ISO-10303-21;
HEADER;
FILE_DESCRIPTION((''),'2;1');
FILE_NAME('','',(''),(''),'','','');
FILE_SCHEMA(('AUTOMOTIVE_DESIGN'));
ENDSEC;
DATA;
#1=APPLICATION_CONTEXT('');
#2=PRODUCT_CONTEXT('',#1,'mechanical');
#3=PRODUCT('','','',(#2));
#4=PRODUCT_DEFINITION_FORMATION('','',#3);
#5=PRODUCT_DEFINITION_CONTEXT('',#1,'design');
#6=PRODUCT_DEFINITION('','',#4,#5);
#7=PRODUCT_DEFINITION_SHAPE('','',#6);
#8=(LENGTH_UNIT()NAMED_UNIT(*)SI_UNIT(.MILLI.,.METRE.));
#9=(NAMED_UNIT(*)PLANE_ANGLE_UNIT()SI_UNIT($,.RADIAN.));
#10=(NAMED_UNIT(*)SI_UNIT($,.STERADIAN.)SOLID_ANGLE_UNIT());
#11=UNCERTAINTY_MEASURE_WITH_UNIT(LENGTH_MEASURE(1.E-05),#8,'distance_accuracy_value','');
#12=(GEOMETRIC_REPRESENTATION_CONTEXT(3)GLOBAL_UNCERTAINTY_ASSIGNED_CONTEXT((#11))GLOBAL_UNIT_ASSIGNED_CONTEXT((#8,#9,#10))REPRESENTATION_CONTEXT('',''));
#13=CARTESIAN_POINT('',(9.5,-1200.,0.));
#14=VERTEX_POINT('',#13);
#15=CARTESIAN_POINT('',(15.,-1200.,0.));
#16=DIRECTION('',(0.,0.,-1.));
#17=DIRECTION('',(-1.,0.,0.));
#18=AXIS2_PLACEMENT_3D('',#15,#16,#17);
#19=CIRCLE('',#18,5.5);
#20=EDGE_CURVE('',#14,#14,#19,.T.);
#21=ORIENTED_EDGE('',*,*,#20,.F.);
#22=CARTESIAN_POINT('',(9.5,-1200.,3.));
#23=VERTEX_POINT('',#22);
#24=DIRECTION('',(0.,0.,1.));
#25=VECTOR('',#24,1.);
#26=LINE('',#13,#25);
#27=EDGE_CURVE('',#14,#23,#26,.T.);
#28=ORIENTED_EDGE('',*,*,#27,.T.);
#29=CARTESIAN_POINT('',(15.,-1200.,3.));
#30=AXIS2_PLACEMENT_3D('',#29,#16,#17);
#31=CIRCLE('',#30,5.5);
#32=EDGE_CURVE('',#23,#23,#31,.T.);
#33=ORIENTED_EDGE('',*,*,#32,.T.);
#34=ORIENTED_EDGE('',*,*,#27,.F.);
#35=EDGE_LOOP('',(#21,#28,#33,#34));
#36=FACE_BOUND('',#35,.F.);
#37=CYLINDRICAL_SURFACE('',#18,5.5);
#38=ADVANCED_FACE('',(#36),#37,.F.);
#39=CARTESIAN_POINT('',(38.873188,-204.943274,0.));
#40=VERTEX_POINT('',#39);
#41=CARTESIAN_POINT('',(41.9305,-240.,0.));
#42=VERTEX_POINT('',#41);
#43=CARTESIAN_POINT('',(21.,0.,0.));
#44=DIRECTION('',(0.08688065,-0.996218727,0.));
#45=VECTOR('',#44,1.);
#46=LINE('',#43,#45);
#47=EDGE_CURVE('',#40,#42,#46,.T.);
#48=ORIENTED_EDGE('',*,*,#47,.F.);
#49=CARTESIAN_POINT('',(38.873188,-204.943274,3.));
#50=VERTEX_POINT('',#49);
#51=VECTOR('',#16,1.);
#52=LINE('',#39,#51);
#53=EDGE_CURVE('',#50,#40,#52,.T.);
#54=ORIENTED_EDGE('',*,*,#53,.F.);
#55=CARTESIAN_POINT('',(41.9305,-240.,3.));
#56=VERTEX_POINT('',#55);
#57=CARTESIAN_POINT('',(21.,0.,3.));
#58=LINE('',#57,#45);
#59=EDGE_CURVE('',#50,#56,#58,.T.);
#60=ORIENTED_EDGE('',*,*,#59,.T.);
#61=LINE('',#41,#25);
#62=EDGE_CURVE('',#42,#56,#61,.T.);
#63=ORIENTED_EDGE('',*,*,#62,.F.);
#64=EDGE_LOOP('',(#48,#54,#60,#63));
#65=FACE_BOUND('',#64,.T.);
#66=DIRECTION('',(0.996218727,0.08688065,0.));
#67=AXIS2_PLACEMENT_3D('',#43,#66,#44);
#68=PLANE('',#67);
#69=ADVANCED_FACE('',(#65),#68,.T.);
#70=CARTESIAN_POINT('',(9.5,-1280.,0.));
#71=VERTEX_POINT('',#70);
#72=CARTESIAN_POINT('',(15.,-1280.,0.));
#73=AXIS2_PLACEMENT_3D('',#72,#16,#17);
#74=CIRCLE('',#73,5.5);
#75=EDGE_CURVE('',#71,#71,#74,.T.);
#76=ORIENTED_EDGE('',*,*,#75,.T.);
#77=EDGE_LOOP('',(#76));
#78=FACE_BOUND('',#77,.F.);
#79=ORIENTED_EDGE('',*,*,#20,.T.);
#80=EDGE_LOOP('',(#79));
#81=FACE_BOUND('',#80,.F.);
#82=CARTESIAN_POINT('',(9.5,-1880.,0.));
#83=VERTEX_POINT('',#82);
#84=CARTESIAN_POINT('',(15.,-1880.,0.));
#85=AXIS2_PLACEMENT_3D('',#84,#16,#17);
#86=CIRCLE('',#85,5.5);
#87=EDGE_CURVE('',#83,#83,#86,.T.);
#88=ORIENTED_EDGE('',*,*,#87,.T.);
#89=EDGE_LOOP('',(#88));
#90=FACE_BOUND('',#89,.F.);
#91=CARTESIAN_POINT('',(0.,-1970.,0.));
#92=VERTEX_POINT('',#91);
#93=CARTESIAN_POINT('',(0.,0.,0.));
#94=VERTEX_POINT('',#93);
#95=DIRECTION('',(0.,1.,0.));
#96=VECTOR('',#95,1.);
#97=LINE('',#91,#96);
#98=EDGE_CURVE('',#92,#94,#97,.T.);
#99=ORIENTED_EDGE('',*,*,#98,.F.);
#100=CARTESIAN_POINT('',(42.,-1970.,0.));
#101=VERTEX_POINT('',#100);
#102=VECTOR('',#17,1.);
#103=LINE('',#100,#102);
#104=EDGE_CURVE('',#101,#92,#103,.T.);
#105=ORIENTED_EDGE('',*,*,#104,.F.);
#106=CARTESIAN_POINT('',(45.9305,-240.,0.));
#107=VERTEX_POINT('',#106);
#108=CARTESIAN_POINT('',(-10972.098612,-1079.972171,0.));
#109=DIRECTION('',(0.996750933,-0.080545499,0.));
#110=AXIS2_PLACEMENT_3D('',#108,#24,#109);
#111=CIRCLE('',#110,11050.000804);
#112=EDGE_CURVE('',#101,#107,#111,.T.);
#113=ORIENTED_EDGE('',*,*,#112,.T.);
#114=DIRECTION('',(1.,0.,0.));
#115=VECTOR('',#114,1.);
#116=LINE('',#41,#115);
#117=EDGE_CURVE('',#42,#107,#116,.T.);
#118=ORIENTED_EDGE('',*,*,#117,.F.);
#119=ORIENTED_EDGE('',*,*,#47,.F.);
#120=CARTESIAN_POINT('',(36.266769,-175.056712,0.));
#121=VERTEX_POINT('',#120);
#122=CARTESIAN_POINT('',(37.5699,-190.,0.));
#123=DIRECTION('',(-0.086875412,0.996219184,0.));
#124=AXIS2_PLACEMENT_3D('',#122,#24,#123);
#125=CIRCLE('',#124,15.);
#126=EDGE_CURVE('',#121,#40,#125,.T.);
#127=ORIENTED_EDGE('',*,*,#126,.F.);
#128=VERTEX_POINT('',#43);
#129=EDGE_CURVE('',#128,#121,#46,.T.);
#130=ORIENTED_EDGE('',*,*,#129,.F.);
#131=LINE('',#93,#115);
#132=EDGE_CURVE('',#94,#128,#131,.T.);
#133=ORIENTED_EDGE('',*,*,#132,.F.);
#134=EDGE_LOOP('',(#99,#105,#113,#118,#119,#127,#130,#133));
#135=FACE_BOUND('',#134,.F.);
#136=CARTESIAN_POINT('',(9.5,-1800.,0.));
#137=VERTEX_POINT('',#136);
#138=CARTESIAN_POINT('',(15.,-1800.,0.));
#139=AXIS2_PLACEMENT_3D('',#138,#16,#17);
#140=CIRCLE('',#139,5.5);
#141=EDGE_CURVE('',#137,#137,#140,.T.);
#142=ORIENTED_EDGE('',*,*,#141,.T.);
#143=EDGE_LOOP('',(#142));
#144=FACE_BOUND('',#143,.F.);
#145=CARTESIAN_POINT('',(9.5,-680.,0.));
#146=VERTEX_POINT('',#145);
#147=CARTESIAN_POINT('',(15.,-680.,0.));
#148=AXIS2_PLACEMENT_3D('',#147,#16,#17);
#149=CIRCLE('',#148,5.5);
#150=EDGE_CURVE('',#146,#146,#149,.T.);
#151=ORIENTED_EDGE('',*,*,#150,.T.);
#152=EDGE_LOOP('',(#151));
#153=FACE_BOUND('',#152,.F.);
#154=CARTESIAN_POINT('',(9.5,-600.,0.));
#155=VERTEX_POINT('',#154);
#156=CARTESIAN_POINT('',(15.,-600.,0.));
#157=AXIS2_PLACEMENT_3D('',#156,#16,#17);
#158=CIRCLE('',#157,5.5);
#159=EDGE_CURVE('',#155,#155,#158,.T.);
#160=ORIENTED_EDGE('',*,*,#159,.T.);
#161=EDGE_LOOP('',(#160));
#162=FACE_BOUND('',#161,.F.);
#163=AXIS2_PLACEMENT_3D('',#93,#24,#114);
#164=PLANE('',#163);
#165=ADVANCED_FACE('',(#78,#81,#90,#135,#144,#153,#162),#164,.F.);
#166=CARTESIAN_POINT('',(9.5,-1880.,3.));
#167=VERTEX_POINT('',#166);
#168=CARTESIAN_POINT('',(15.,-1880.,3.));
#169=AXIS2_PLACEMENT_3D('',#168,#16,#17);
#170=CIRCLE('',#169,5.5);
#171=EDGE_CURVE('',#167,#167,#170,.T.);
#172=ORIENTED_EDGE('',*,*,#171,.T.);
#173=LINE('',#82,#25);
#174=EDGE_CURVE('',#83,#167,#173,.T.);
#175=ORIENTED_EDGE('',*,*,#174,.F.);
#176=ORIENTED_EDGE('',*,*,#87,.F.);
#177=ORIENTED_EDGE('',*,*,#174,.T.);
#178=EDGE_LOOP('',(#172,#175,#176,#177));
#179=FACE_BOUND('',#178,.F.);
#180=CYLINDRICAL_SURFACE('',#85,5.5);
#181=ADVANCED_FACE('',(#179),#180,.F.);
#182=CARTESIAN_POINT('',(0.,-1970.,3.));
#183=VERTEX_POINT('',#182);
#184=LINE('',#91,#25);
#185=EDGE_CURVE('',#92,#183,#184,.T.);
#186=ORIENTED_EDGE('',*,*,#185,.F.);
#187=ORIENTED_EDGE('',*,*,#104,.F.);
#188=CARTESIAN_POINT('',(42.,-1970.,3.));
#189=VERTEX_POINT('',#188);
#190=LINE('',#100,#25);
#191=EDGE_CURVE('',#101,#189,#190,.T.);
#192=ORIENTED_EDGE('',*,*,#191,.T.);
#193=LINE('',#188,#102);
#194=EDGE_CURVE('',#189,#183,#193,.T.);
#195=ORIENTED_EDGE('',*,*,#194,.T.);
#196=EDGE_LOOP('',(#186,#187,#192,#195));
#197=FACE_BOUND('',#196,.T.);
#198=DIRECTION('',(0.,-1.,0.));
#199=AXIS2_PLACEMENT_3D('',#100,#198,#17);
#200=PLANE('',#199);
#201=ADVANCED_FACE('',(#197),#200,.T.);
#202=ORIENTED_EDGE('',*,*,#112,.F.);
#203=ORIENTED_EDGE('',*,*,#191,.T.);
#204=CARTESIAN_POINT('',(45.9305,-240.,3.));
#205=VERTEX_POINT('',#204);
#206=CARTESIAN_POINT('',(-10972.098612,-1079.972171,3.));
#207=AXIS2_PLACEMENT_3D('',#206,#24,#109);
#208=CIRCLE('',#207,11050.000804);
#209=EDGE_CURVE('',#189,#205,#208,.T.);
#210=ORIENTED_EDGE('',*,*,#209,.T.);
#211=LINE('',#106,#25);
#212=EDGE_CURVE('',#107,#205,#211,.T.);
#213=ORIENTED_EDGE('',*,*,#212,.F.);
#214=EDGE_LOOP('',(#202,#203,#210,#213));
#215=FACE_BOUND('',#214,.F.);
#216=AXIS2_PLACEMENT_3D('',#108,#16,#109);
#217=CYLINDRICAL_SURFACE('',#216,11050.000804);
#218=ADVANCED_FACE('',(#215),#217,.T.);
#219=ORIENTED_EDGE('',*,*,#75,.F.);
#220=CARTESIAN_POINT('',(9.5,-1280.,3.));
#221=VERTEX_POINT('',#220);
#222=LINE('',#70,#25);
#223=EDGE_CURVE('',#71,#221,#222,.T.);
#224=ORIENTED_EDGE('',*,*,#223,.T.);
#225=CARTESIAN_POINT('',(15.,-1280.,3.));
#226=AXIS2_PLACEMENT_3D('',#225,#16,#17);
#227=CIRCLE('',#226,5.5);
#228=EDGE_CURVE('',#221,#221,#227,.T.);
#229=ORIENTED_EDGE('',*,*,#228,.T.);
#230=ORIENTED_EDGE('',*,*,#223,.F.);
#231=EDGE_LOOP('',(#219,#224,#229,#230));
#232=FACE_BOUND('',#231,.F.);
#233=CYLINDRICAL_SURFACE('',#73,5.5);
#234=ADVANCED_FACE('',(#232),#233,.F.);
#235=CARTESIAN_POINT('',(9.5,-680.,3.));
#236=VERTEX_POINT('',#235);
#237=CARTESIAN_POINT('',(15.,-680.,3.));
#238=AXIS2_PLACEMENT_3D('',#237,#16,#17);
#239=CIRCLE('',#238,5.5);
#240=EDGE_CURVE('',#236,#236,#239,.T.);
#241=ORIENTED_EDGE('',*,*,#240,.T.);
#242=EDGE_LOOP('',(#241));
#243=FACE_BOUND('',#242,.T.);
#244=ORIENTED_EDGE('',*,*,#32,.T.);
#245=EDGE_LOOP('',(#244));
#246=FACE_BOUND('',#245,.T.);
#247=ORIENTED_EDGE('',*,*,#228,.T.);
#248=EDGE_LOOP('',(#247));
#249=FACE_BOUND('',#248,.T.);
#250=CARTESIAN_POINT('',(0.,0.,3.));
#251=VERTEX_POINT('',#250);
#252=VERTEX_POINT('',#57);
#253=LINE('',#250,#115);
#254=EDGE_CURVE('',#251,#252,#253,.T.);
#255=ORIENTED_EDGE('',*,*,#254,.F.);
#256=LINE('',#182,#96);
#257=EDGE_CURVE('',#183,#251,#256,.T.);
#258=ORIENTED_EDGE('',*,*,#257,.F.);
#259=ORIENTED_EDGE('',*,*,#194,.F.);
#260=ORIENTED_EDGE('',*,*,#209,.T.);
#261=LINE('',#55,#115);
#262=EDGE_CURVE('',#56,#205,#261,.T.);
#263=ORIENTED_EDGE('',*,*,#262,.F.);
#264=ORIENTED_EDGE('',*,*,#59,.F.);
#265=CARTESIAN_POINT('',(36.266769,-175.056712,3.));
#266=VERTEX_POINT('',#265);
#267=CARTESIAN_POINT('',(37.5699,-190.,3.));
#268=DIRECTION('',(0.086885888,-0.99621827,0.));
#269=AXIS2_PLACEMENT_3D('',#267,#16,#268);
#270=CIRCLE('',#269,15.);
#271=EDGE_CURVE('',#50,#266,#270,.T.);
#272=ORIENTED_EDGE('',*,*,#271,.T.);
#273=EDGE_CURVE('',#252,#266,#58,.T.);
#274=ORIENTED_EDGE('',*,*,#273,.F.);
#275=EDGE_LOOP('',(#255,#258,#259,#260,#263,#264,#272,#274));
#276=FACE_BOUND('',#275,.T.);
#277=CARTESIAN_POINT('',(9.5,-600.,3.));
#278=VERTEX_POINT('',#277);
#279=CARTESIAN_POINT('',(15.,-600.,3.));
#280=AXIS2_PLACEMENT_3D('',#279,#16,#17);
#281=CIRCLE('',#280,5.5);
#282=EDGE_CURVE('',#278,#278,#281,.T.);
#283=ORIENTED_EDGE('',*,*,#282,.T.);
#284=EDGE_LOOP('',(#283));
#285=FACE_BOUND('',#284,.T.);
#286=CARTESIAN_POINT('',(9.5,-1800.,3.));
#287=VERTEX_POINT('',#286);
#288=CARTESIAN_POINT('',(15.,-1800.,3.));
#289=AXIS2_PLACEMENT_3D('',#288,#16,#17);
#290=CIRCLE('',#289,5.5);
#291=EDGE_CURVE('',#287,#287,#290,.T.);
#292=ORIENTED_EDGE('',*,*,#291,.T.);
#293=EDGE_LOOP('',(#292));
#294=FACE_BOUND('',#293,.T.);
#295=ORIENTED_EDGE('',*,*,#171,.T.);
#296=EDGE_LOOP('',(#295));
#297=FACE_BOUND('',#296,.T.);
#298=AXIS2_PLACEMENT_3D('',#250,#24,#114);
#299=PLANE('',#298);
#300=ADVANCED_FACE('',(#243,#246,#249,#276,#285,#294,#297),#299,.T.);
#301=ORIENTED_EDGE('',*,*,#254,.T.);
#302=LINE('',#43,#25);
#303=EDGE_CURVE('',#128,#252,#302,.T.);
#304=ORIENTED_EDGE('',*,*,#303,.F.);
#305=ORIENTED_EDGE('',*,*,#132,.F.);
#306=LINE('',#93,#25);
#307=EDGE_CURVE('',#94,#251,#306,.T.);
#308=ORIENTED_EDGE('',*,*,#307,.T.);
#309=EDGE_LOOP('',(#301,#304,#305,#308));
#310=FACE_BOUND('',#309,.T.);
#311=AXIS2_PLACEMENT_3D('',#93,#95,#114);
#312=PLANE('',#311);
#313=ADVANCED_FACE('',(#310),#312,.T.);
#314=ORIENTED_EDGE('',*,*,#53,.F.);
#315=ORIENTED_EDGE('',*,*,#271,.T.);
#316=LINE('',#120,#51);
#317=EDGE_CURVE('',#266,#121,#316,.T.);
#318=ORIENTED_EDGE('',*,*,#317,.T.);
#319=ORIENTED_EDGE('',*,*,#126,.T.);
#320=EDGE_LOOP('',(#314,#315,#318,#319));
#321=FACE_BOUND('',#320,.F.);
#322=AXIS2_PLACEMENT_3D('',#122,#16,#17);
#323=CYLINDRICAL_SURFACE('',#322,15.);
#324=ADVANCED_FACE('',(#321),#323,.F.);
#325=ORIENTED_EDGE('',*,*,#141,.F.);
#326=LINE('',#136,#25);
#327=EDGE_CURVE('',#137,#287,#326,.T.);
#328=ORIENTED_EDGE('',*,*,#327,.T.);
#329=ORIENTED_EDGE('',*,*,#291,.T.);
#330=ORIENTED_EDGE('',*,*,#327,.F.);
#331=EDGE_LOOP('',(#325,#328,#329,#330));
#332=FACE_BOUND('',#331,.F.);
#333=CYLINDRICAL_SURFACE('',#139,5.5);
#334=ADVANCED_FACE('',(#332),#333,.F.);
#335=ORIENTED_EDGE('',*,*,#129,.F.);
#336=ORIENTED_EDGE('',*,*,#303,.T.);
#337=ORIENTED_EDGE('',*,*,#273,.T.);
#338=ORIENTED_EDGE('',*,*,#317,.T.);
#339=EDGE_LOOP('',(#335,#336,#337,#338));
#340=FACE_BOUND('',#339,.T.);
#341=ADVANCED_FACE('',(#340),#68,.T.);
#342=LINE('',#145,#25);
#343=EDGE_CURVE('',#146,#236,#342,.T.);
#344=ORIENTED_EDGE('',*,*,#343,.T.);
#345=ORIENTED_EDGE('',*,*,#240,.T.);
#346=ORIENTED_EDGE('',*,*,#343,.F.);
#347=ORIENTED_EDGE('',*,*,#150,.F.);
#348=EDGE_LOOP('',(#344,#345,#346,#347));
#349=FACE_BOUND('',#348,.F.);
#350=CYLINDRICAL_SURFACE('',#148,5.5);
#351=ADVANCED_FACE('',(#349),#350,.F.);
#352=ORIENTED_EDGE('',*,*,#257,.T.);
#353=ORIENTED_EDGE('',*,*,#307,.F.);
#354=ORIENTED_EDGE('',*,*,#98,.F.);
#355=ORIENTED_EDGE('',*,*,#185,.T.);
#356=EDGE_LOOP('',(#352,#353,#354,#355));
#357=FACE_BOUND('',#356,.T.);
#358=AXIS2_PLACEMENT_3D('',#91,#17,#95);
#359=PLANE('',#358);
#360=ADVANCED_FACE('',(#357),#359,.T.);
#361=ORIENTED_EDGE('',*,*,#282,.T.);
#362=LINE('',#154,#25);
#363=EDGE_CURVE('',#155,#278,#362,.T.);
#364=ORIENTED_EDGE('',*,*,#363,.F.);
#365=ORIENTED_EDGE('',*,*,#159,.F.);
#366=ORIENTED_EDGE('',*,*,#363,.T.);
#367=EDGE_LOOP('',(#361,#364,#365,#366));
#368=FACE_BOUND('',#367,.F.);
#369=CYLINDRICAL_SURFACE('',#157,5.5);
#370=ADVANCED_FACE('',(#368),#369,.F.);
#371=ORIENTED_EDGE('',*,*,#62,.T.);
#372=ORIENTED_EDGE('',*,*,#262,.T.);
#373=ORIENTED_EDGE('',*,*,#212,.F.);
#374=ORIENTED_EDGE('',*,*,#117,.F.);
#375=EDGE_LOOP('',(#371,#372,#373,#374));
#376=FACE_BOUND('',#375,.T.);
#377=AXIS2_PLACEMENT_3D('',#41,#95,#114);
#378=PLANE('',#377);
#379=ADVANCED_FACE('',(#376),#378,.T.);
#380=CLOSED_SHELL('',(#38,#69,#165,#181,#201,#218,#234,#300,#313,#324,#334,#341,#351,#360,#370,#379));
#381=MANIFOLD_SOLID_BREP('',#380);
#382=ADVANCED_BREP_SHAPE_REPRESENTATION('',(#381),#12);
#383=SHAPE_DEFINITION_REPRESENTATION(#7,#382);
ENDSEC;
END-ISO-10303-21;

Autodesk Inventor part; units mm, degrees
ref_plane "YZ Plane" through (0, 0, 0) normal (1, 0, 0) x (0, 1, 0)
ref_plane "XZ Plane" through (0, 0, 0) normal (0, 1, 0) x (-1, 0, 0)
ref_plane "XY Plane" through (0, 0, 0) normal (0, 0, 1) x (1, 0, 0)
sketch "Sketch1" plane through (0, 0, 0) normal (0, 0, 1) x (1, 0, 0)
  line L0 (0, 100) -> (0, 50) construction
  line L1 (0, 47) -> (0, 0) construction
  line L2 (0, 50) -> (0, 47) construction
  arc A0 (42, -1970) -> (25, 0) centre (-10972.0978, -1079.9722) ccw
  line L3 (42, -1970) -> (0, -1970)
  line L4 (0, -1970) -> (0, 0)
  line L5 (0, 0) -> (25, 0)
  line L6 (21, 0) -> (41.9305, -240)
  line L7 (41.9305, -240) -> (45.9305, -240)
  dimension "d115" = 3
  dimension "d131" = 11050
  dimension "d132" = 25
  dimension "d133" = 42
  dimension "d134" = 1970
  dimension "d145" = 4
  dimension "d146" = 240
  dimension "d147" = 4
extrude "Plate3" add sketch "Sketch1" along normal blind 3 contours L3 L4 L5 L6 L7 A0
sketch "Sketch3" plane through (0, 0, 0) normal (0, 0, -1) x (-1, 0, 0)
  line L0 (0, 0) -> (0, -1970) construction
  line L1 (-21, 0) -> (0, 0) construction
  arc A0 (-45.9305, -240) -> (-42, -1970) centre (10972.0978, -1079.9722) ccw construction
  line L2 (0, -1970) -> (-42, -1970) projected
  circle A1 centre (-15, -600) radius 5.5
  line L3 (-41.9305, -240) -> (-21, 0) projected
  line L4 (-45.9305, -240) -> (-41.9305, -240) projected
  circle A2 centre (-15, -680) radius 5.5
  circle A3 centre (-37.5699, -190) radius 15
  circle A4 centre (-15, -1800) radius 5.5
  circle A5 centre (-15, -1880) radius 5.5
  circle A6 centre (-15, -1200) radius 5.5
  circle A7 centre (-15, -1280) radius 5.5
  dimension "d135" = 11
  dimension "d136" = 15
  dimension "d148" = 600
  dimension "d149" = 80
  dimension "d150" = 30
  dimension "d151" = 190
  dimension "d153" = 80
  dimension "d154" = 1200
  dimension "d157" = 80
  dimension "d159" = 1200
extrude "Cut1" cut sketch "Sketch3" against normal blind 3
equation "\"BendReliefWidth\" = Thickness"
equation "\"BendReliefDepth\" = 0.5 * Thickness"
equation "\"CornerReliefSize\" = 4 * Thickness"
equation "\"MinimumRemnant\" = 2 * Thickness"
equation "\"GapSize\" = Thickness"
equation "\"Thickness\" = 3"
properties part number "MSC 814 wall inner rib" material "AISI304"
